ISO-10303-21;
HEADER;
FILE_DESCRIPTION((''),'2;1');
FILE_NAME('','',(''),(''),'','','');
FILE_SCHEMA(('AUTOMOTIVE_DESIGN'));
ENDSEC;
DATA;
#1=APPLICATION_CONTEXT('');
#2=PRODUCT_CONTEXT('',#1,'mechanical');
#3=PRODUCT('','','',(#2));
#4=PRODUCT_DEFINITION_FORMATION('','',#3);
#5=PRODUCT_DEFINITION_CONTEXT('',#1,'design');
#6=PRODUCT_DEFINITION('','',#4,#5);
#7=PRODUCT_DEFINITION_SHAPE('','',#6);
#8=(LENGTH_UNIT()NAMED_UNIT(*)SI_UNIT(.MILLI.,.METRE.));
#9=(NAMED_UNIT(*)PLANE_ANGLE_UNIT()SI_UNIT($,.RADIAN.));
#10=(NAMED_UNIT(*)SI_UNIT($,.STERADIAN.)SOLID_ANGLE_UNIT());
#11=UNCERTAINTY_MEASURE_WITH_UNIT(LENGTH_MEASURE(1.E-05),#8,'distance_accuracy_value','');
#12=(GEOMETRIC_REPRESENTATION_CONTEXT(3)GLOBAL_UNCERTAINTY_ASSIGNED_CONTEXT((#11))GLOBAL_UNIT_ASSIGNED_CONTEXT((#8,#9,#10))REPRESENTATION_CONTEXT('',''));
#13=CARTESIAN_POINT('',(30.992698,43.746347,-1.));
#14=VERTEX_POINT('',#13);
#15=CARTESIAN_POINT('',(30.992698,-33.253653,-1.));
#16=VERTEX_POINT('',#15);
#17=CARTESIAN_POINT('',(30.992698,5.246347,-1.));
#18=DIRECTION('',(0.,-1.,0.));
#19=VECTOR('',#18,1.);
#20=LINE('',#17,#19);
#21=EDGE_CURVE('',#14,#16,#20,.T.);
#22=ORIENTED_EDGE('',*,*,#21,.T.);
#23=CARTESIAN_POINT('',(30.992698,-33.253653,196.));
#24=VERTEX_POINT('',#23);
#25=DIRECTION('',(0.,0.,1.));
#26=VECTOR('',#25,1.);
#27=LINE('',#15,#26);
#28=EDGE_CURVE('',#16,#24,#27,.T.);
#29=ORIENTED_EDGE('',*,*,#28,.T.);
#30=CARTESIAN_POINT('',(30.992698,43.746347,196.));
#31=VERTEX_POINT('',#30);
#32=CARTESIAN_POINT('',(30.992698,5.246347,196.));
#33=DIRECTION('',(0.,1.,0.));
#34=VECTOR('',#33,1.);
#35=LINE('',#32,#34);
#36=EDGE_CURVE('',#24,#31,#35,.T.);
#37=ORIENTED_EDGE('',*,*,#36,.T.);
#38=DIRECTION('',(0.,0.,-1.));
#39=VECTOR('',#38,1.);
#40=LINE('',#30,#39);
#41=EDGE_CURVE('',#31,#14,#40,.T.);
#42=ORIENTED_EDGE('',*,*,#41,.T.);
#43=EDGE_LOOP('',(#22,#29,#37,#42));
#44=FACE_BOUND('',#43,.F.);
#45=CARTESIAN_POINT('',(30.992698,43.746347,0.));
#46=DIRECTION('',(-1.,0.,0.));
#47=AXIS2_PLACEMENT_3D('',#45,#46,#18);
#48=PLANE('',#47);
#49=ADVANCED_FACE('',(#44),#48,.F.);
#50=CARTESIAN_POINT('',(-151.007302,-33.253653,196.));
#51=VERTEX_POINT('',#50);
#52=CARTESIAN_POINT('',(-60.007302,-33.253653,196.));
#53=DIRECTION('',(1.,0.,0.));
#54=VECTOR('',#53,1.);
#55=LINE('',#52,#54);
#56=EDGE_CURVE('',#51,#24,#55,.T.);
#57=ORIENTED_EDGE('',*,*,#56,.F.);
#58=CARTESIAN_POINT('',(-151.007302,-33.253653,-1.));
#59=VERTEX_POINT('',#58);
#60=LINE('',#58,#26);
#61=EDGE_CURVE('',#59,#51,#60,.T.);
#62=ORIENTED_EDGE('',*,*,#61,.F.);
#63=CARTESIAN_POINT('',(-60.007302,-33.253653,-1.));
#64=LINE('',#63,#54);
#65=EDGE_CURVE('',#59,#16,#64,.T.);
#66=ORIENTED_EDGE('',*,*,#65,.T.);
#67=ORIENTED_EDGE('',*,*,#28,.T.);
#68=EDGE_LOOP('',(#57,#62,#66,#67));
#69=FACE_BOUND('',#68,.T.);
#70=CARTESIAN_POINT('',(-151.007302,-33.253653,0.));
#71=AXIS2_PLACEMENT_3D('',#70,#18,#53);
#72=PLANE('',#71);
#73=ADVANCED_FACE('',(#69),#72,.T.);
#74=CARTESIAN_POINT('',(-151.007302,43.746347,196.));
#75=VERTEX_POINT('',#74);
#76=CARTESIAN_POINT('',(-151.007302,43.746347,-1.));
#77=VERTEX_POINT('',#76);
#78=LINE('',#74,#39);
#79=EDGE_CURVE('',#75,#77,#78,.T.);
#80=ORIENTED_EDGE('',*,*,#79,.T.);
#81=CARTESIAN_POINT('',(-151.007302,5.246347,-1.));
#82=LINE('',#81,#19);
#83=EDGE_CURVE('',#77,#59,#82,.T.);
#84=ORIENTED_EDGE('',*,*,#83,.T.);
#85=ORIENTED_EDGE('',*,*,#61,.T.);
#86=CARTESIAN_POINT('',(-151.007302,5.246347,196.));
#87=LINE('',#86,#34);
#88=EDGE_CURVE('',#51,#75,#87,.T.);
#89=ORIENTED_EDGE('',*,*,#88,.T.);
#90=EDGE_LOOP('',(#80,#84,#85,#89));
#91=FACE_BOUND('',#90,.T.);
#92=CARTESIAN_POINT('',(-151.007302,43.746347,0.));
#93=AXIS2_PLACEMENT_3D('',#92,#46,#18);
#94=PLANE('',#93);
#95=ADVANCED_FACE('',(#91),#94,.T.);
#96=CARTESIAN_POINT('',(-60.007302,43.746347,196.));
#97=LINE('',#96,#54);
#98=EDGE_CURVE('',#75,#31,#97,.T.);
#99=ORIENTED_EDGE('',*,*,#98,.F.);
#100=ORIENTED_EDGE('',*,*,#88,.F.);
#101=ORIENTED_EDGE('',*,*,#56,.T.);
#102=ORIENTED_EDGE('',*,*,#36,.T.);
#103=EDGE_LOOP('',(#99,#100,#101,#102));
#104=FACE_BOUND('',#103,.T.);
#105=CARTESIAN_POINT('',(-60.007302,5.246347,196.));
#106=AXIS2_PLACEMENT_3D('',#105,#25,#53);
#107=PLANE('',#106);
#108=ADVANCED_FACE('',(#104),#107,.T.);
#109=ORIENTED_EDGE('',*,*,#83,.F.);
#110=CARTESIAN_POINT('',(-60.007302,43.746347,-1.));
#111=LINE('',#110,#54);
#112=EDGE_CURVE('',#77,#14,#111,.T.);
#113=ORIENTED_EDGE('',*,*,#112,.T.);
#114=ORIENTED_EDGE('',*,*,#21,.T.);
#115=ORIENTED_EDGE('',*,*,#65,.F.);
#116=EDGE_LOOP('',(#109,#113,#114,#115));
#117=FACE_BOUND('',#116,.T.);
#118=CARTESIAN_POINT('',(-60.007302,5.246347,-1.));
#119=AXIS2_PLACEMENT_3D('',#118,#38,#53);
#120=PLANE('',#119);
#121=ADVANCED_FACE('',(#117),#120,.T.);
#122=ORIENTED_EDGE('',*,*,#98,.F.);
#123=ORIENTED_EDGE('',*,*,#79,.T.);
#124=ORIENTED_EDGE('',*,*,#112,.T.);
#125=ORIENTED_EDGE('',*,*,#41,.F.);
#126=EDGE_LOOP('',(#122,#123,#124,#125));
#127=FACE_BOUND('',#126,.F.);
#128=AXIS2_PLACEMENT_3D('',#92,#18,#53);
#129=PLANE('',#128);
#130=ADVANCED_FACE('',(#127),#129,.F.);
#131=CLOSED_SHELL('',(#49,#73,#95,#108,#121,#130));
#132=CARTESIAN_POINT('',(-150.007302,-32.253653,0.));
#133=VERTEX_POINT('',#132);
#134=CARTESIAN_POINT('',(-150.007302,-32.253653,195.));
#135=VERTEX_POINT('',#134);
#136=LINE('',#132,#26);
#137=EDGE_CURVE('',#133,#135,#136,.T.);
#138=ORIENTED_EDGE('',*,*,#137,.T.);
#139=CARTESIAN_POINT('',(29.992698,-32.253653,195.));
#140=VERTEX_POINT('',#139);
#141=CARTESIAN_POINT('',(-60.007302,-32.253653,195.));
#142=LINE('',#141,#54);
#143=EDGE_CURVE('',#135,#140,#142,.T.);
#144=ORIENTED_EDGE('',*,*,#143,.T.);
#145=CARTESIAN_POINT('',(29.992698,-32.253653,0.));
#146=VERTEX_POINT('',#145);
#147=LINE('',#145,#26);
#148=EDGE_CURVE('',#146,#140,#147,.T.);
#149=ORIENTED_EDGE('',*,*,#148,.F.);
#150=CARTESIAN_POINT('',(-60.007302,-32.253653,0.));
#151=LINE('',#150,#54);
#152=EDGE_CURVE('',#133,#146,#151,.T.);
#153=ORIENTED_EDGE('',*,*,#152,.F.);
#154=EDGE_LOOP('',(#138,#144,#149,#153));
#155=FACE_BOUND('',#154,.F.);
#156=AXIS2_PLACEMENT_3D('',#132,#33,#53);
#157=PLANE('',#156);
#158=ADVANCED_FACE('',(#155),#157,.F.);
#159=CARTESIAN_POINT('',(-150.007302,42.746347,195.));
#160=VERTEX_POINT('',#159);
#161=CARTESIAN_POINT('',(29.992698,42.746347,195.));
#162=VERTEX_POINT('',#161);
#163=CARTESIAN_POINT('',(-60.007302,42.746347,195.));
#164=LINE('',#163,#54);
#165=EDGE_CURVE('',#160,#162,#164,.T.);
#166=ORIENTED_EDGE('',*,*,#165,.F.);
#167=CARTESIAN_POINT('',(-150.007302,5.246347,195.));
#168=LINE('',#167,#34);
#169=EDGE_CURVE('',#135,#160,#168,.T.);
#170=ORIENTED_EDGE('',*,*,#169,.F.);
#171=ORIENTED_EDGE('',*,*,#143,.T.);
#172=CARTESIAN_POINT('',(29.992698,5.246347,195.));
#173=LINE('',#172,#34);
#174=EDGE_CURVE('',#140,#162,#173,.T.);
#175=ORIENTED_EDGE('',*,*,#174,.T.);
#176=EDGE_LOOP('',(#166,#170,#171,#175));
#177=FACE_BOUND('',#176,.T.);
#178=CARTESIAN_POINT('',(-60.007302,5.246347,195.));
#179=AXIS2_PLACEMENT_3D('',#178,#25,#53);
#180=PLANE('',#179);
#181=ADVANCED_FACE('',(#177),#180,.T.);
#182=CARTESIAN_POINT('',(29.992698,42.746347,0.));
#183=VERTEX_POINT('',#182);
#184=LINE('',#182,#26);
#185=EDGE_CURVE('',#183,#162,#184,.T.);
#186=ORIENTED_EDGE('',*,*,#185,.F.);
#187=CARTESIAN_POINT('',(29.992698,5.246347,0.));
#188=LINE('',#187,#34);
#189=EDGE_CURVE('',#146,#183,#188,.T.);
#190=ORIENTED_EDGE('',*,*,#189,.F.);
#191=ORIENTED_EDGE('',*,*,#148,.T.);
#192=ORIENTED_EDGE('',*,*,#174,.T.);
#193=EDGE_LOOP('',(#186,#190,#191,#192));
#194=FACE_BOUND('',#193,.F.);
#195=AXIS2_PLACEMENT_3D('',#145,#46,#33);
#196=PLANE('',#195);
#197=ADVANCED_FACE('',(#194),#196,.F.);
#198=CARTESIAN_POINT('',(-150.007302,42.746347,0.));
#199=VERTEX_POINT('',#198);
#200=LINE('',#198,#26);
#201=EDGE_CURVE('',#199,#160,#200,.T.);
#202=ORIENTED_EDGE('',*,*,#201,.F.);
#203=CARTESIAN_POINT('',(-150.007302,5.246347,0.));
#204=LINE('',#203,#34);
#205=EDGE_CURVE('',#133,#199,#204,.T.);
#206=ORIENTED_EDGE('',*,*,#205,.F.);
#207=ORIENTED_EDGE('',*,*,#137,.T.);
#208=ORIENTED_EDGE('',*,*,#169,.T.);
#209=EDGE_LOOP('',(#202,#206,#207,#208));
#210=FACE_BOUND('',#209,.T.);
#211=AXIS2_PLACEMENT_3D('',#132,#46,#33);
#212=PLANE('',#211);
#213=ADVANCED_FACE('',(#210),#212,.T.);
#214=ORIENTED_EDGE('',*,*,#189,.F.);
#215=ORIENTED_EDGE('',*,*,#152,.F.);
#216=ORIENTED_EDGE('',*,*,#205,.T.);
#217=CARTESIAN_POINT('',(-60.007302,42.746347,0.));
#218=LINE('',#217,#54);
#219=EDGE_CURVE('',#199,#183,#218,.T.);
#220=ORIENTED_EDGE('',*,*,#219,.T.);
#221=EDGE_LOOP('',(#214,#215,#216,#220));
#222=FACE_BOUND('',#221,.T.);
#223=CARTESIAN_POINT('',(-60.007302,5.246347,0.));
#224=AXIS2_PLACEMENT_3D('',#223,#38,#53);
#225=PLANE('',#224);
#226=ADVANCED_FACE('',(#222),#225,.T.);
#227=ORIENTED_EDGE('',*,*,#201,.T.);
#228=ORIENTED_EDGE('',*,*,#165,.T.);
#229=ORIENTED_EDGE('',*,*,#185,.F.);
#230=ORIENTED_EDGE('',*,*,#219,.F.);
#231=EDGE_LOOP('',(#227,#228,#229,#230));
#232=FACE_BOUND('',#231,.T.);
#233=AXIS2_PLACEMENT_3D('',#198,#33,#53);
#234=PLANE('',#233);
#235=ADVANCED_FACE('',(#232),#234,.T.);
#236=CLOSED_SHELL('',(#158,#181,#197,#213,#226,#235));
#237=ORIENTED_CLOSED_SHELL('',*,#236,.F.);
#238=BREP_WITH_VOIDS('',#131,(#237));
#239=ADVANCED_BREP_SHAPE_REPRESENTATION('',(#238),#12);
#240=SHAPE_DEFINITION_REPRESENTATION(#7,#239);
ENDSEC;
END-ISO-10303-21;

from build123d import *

# Parameters (mm, degrees)
F0_W     = 182
F0_H     = 77
F0_W_2   = 180
F0_H_2   = 75
F1_DEPTH = 195
F2_W     = 182
F2_H     = 77
F2_W_2   = 180
F2_H_2   = 75
F3_DEPTH = 1
F4_W     = 182
F4_H     = 77
F4_W_2   = 180
F4_H_2   = 75
F5_DEPTH = 1


with BuildPart() as f1:
    # F0 (on Top) → F1 (new body)
    with BuildSketch(Plane.XY):
        with Locations((-60.0073022693, 5.2463471889)):
            Rectangle(F0_W, F0_H)
        with Locations((-60.0073022693, 5.2463471889)):
            Rectangle(F0_W_2, F0_H_2, mode=Mode.SUBTRACT)
    extrude(amount=F1_DEPTH)

    # F2 (on face) → F3 (join)
    with BuildSketch(Plane.XY.offset(195)):
        with Locations((-60.0073022693, 5.2463471889)):
            Rectangle(F2_W, F2_H)
        with Locations((-60.0073022693, 5.2463471889)):
            Rectangle(F2_W_2, F2_H_2, mode=Mode.SUBTRACT)
        with Locations((-60.0073022693, 5.2463471889)):
            Rectangle(F2_W_2, F2_H_2)
    extrude(amount=F3_DEPTH)

    # F4 (on face) → F5 (join)
    with BuildSketch(Plane(origin=(0, 0, 0), x_dir=(1, 0, 0), z_dir=(0, 0, -1))):
        with Locations((-60.0073022693, -5.2463471889)):
            Rectangle(F4_W, F4_H)
        with Locations((-60.0073022693, -5.2463471889)):
            Rectangle(F4_W_2, F4_H_2, mode=Mode.SUBTRACT)
        with Locations((-60.0073022693, -5.2463471889)):
            Rectangle(F4_W_2, F4_H_2)
    extrude(amount=F5_DEPTH)


solid = f1.part
